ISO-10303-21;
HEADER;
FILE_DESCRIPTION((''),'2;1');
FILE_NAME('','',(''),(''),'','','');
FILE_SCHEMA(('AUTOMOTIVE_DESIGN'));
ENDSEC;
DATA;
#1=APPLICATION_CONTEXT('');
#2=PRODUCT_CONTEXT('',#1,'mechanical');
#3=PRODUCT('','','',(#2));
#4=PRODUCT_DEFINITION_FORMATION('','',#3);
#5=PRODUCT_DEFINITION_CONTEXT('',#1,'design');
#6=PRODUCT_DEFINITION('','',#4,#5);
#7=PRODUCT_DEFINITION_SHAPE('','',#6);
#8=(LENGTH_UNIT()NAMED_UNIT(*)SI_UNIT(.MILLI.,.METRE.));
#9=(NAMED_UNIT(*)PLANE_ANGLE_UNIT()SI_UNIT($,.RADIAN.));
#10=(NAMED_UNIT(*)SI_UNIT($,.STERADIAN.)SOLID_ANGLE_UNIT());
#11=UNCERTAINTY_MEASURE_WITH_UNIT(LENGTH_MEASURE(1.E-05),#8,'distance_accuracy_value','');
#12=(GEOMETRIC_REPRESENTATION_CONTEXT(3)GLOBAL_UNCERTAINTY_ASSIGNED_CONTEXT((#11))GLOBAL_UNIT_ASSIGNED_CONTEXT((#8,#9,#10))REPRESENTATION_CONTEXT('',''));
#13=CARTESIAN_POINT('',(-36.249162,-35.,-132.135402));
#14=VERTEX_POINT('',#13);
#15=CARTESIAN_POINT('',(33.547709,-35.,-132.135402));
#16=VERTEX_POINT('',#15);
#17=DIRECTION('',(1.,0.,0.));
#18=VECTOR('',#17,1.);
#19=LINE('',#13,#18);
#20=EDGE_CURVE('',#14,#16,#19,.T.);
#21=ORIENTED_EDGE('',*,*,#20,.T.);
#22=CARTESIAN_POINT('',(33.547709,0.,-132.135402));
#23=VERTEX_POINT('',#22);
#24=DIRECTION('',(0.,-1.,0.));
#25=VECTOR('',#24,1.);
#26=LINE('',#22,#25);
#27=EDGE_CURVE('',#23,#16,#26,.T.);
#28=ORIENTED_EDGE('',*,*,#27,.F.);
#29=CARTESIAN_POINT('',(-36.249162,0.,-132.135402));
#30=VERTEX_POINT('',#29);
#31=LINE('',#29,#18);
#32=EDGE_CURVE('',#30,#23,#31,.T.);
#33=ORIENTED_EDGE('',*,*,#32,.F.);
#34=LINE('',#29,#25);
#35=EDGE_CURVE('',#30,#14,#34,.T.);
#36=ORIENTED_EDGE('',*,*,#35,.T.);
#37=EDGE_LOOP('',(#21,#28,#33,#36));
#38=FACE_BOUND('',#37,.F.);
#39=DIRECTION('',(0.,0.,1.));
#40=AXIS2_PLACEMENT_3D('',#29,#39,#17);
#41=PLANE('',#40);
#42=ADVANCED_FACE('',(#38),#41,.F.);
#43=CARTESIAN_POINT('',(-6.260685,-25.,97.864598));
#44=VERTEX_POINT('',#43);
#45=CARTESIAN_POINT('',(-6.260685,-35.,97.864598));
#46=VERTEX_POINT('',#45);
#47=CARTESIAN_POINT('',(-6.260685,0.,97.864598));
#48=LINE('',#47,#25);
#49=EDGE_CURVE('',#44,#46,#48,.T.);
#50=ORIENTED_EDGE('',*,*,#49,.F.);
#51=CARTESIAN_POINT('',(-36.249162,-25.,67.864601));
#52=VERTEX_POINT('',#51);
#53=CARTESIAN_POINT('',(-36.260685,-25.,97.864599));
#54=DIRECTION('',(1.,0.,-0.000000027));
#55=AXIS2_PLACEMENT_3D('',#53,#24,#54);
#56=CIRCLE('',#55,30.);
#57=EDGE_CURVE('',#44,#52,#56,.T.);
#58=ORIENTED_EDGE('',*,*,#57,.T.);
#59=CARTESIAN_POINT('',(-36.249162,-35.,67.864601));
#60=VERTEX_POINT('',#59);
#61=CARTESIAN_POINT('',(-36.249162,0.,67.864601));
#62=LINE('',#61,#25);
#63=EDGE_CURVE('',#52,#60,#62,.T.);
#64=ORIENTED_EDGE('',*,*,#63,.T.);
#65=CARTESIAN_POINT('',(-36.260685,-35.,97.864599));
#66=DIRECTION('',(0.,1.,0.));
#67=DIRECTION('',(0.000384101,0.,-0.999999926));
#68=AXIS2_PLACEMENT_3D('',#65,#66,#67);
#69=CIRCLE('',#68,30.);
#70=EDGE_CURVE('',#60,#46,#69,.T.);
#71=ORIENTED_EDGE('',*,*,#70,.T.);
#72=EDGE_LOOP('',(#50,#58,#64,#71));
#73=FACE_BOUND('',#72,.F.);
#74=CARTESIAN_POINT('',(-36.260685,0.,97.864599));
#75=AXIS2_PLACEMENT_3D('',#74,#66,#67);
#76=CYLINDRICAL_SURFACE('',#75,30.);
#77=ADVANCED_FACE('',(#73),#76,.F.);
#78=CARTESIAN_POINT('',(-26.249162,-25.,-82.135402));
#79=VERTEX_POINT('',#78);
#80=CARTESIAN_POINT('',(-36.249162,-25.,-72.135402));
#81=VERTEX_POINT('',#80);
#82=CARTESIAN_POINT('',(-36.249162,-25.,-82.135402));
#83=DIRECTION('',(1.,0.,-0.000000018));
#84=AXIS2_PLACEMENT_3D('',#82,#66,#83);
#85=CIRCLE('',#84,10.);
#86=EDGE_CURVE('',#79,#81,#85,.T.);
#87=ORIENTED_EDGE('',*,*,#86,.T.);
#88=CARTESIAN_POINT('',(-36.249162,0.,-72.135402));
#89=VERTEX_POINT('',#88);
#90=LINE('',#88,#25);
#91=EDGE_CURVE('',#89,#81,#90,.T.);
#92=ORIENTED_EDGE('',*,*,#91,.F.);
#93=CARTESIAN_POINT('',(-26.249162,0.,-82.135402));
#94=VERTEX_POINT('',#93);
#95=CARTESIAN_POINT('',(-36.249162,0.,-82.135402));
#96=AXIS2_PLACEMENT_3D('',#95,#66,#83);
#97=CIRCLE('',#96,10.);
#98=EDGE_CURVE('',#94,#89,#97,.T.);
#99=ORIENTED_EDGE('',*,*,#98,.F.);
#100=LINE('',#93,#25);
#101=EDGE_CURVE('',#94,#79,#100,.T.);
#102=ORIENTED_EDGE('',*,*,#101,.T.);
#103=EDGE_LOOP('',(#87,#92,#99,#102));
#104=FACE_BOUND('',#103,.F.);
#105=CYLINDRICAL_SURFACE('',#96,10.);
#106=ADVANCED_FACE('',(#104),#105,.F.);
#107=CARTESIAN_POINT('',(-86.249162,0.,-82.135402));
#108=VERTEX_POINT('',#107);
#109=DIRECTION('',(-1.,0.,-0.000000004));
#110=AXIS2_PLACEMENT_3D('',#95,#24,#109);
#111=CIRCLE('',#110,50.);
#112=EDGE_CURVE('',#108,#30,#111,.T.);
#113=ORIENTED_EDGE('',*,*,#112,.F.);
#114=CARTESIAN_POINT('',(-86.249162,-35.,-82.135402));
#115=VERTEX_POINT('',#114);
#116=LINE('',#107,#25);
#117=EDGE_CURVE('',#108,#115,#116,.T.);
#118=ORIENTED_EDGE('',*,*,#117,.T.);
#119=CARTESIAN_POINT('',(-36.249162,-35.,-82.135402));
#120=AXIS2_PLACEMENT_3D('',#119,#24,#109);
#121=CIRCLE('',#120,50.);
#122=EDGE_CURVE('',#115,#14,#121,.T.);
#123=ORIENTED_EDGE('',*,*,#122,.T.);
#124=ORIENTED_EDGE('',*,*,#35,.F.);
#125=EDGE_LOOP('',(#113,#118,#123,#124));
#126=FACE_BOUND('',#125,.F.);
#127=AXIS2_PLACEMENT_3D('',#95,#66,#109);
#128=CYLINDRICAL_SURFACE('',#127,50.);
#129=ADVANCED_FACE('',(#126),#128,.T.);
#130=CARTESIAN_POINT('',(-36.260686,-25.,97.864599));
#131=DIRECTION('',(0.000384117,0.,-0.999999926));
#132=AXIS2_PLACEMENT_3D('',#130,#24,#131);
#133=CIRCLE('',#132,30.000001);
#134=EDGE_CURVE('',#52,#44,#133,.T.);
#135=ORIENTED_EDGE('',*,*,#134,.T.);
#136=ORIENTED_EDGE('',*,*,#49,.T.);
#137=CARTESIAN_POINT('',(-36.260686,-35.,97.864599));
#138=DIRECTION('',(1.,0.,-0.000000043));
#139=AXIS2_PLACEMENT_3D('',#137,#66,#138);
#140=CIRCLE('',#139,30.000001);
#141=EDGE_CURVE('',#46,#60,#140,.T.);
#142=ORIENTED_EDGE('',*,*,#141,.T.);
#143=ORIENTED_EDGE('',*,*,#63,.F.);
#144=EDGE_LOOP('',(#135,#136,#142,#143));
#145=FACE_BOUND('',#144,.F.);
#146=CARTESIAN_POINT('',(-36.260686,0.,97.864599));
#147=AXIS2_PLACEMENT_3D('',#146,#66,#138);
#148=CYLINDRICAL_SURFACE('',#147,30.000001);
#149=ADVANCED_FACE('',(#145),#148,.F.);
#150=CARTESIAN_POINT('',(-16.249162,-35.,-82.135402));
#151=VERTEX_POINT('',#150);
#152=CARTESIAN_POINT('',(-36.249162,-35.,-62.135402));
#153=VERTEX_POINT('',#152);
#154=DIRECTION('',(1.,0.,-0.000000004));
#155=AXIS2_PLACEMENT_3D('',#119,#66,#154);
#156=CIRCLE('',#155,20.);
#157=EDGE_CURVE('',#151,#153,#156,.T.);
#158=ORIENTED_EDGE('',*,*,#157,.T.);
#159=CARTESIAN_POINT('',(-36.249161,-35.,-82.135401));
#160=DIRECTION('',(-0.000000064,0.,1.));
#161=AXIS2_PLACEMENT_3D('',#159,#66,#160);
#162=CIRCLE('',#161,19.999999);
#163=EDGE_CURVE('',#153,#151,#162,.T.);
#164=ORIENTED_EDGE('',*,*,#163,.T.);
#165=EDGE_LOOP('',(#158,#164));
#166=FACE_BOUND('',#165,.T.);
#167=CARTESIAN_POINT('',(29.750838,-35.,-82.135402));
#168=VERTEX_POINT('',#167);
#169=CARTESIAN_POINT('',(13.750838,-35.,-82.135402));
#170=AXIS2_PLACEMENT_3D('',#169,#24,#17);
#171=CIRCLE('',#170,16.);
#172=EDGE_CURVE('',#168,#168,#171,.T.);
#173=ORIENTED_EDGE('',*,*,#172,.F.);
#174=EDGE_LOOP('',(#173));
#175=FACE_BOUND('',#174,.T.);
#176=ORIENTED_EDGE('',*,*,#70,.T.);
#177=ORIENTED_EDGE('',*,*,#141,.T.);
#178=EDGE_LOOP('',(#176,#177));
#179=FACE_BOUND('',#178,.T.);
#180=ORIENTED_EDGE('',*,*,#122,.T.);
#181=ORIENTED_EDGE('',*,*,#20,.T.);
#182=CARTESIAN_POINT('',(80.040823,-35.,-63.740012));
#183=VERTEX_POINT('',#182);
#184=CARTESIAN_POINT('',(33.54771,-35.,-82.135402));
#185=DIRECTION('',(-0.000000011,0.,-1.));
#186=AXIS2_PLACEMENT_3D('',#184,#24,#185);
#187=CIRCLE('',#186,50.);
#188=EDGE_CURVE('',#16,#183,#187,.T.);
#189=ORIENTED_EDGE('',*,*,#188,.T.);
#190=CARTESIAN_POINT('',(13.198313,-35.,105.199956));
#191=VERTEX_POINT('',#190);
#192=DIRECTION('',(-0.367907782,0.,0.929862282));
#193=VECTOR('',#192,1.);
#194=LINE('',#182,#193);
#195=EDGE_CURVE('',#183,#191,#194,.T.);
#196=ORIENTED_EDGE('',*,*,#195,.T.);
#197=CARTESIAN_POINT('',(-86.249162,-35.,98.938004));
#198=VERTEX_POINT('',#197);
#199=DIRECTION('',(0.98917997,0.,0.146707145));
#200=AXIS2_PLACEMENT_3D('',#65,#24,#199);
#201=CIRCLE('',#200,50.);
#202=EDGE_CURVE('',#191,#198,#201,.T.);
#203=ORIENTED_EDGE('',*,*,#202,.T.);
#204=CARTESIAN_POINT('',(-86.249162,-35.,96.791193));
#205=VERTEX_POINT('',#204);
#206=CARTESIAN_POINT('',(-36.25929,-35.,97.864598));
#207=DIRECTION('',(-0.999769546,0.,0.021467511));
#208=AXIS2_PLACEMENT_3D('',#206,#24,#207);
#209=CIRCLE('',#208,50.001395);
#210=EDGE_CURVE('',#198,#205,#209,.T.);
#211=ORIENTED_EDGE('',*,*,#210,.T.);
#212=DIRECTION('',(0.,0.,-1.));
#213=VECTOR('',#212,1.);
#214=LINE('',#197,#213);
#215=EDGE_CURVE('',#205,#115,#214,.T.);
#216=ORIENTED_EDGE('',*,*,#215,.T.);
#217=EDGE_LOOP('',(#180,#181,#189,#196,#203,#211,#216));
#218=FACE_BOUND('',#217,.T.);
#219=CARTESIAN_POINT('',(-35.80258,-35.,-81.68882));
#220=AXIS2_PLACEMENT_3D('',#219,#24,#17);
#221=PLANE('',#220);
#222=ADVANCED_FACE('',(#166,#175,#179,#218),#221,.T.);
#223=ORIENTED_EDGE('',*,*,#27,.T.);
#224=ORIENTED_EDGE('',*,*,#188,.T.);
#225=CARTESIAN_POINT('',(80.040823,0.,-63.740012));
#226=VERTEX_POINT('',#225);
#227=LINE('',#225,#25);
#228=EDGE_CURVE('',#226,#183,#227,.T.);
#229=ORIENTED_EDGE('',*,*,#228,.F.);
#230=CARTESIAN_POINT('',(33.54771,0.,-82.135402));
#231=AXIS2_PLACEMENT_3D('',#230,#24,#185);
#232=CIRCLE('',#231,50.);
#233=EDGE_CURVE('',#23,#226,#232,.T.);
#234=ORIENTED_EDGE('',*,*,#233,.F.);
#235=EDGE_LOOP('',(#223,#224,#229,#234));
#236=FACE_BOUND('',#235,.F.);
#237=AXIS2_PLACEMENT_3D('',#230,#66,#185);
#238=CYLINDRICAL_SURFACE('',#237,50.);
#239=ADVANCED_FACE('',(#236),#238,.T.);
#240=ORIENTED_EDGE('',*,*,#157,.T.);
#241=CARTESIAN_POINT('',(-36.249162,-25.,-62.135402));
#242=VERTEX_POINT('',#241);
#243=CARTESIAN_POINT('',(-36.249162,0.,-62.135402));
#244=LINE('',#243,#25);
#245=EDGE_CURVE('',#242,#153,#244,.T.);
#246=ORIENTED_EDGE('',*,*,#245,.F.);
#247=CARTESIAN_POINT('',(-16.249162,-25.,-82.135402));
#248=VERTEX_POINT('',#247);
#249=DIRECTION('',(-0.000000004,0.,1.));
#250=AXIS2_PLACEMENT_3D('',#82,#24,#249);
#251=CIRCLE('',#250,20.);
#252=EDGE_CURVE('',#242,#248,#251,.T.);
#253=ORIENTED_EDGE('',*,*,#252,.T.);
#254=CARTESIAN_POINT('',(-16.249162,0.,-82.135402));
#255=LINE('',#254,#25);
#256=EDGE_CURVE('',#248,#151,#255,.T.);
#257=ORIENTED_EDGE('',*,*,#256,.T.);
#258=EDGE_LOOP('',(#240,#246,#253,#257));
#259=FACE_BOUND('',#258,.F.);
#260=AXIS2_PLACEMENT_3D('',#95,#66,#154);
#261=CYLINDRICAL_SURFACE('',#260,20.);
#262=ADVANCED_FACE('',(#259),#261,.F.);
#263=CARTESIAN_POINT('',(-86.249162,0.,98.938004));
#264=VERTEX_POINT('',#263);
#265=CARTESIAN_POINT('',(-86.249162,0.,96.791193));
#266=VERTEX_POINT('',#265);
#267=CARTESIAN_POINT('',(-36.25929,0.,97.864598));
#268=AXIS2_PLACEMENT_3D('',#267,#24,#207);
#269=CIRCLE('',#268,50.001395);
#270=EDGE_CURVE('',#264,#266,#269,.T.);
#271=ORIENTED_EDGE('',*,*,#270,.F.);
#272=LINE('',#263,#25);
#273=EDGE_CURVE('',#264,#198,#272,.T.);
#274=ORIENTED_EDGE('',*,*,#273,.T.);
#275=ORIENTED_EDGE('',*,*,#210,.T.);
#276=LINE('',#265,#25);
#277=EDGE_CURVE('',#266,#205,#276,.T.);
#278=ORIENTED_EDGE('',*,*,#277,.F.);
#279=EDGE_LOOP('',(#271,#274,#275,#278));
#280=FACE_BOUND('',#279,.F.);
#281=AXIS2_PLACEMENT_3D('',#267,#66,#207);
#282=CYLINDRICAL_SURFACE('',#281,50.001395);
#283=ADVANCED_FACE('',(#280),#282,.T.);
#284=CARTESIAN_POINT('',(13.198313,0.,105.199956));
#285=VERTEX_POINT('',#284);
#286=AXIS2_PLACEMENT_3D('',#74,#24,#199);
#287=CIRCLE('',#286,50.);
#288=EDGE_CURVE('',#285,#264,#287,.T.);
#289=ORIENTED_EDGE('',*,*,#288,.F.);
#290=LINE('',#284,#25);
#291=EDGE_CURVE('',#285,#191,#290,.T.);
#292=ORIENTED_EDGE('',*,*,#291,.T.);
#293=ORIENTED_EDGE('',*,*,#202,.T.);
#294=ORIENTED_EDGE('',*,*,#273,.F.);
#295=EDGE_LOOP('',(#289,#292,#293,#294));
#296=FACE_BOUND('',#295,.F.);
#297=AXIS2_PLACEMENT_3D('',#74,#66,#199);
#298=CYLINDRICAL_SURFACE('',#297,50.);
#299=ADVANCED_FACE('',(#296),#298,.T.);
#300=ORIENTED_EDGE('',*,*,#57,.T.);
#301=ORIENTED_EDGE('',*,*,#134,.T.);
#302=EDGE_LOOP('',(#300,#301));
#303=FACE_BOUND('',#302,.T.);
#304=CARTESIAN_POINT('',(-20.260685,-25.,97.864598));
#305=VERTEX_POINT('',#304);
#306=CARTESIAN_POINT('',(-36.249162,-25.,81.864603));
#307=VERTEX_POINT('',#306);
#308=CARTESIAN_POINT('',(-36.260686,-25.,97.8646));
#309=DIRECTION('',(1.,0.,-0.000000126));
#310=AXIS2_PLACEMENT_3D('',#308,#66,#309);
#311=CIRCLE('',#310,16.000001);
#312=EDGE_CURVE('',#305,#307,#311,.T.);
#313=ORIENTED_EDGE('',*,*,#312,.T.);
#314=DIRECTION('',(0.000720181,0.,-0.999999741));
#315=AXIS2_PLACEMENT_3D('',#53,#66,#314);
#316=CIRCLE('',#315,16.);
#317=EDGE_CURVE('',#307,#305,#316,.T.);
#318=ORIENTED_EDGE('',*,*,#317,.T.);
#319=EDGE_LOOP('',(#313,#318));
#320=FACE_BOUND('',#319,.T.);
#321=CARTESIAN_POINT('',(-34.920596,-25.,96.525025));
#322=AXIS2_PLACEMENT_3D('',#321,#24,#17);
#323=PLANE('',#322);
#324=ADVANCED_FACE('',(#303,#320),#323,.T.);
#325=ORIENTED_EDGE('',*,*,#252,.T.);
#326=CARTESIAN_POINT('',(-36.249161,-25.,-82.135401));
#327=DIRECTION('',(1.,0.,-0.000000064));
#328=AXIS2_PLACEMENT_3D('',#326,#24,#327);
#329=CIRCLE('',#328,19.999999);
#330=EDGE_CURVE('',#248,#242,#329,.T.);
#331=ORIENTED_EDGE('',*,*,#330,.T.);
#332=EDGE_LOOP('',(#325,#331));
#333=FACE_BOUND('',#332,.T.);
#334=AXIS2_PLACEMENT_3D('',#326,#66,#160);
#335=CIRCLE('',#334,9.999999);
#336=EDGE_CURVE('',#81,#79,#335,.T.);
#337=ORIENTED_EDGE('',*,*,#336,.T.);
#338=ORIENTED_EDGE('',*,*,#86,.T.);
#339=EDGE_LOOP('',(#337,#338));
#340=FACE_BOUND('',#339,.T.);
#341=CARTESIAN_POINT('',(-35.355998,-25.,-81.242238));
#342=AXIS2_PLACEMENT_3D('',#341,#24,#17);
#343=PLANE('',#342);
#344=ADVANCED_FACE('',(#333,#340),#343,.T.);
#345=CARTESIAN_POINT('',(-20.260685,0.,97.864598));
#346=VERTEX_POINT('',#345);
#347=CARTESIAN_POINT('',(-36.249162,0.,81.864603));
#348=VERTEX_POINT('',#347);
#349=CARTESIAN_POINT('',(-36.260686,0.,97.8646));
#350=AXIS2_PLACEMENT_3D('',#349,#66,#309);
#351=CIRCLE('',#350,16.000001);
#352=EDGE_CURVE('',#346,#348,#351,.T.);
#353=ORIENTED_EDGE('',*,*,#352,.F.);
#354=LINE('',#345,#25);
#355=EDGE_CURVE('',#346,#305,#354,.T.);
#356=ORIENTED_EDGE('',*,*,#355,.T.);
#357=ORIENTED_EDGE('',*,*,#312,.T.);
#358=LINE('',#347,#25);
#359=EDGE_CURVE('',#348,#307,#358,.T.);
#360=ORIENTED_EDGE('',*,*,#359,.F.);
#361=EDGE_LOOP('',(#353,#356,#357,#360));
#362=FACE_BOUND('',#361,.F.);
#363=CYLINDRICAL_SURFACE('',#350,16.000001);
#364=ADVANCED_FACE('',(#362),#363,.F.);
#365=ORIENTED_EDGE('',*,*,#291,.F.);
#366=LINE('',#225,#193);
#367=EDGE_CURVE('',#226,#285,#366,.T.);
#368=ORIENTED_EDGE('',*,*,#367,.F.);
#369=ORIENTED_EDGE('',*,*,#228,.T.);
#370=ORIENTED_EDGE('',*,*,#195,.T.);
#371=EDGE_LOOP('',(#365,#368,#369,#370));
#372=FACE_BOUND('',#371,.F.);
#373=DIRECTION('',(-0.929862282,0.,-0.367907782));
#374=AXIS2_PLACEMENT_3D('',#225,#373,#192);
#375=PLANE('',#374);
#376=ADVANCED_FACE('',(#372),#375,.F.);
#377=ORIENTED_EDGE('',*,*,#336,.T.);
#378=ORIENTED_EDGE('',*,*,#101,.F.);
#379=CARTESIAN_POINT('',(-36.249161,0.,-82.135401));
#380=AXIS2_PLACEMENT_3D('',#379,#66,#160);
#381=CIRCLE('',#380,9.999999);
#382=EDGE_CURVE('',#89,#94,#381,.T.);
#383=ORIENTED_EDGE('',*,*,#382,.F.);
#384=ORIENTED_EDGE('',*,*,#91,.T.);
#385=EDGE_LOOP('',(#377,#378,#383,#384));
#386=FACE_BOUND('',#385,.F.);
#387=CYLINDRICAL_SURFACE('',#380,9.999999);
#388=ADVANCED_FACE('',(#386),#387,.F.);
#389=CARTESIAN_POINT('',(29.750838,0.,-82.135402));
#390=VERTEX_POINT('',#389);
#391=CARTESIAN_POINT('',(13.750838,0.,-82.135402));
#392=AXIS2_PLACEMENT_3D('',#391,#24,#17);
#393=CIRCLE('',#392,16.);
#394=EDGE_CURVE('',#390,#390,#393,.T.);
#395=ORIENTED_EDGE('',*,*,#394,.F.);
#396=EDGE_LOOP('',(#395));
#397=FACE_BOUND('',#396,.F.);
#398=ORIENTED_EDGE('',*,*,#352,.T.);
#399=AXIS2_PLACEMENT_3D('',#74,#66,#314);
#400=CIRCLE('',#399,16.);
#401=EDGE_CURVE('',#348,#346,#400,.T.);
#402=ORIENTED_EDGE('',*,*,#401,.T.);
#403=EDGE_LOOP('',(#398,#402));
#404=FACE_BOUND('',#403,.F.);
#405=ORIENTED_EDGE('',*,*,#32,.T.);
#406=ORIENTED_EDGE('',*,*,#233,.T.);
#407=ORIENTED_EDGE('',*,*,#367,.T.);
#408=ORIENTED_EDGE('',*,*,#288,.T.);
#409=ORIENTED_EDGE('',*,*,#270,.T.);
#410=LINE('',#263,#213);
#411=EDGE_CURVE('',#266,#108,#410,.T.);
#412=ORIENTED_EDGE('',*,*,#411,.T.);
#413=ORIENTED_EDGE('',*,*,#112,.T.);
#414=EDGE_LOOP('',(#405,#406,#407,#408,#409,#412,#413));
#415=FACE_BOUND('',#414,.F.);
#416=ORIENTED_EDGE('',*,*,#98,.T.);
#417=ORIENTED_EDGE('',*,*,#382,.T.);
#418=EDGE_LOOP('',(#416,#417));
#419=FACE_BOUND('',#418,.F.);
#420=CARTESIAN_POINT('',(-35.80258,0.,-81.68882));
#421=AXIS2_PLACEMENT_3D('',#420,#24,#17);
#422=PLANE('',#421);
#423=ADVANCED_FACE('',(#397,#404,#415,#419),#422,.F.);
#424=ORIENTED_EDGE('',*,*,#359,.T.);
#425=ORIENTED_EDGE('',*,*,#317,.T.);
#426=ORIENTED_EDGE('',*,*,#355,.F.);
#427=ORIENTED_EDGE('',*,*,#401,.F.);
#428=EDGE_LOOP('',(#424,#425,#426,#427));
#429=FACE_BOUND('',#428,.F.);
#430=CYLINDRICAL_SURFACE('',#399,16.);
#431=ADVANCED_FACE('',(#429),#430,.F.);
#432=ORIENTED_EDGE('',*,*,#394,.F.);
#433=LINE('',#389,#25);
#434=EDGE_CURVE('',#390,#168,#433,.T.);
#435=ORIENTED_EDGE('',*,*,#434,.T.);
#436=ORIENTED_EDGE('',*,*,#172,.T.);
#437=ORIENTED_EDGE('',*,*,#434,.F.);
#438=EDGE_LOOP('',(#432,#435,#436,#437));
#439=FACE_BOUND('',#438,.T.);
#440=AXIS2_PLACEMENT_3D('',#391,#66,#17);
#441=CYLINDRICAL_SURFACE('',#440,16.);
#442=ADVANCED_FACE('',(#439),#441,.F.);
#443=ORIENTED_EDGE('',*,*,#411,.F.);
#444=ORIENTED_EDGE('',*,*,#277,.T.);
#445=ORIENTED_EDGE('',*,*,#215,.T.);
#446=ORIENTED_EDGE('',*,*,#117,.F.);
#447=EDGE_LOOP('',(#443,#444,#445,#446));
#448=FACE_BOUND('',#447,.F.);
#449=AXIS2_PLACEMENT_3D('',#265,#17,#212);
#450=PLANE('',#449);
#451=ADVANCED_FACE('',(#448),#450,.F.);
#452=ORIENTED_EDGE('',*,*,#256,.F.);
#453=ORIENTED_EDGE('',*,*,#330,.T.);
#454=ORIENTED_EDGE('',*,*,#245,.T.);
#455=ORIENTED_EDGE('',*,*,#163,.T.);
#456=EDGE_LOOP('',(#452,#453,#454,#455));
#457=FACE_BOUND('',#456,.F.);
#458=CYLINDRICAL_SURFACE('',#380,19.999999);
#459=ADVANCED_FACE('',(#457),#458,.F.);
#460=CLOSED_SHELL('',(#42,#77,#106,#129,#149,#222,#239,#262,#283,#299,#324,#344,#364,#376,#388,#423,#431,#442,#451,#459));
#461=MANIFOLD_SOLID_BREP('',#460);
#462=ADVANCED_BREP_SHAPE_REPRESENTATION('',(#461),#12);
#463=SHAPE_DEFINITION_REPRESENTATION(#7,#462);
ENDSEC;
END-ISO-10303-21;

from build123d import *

# Parameters (mm, degrees)
F1_DEPTH = 25
F0_R     = 16
F2_DEPTH = 35


with BuildPart() as f1:
    # F0 (on Front) → F1 (new body)
    with BuildSketch(Plane.XZ):
        with BuildLine():
            ThreePointArc((-6.260685, 97.864598), (-57.477963, 119.073727), (-36.249162, 67.864601))
            ThreePointArc((-36.249162, 67.864601), (-15.043408, 76.65547), (-6.260685, 97.864598))
        make_face()
        with BuildLine():
            ThreePointArc((-20.260685, 97.864598), (-24.942904, 86.554965), (-36.249162, 81.864603))
            ThreePointArc((-36.249162, 81.864603), (-47.578467, 109.174232), (-20.260685, 97.864598))
        make_face(mode=Mode.SUBTRACT)
        with BuildLine():
            ThreePointArc((-36.249162, -62.135402), (-50.391298, -96.277537), (-16.249162, -82.135402))
            ThreePointArc((-16.249162, -82.135402), (-22.107026, -67.993266), (-36.249162, -62.135402))
        make_face()
        with BuildLine():
            ThreePointArc((-26.249162, -82.135402), (-43.32023, -89.206469), (-36.249162, -72.135402))
            ThreePointArc((-36.249162, -72.135402), (-29.178094, -75.064334), (-26.249162, -82.135402))
        make_face(mode=Mode.SUBTRACT)
    extrude(amount=F1_DEPTH)

    # F0 (on Front) → F2 (join)
    with BuildSketch(Plane.XZ):
        with BuildLine():
            ThreePointArc((-26.249162, -82.135402), (-29.178094, -75.064334), (-36.249162, -72.135402))
            ThreePointArc((-36.249162, -72.135402), (-43.32023, -89.206469), (-26.249162, -82.135402))
        make_face()
        with BuildLine():
            ThreePointArc((-36.249162, -62.135402), (-50.391298, -96.277537), (-16.249162, -82.135402))
            ThreePointArc((-16.249162, -82.135402), (-22.107026, -67.993266), (-36.249162, -62.135402))
        make_face()
        with BuildLine():
            ThreePointArc((-26.249162, -82.135402), (-43.32023, -89.206469), (-36.249162, -72.135402))
            ThreePointArc((-36.249162, -72.135402), (-29.178094, -75.064334), (-26.249162, -82.135402))
        make_face(mode=Mode.SUBTRACT)
        with BuildLine():
            ThreePointArc((-20.260685, 97.864598), (-47.578467, 109.174232), (-36.249162, 81.864603))
            ThreePointArc((-36.249162, 81.864603), (-24.942904, 86.554965), (-20.260685, 97.864598))
        make_face()
        with BuildLine():
            ThreePointArc((-6.260685, 97.864598), (-57.477963, 119.073727), (-36.249162, 67.864601))
            ThreePointArc((-36.249162, 67.864601), (-15.043408, 76.65547), (-6.260685, 97.864598))
        make_face()
        with BuildLine():
            ThreePointArc((-20.260685, 97.864598), (-24.942904, 86.554965), (-36.249162, 81.864603))
            ThreePointArc((-36.249162, 81.864603), (-47.578467, 109.174232), (-20.260685, 97.864598))
        make_face(mode=Mode.SUBTRACT)
        with BuildLine():
            Line((80.040823, -63.740012), (13.198313, 105.199956))
            ThreePointArc((13.198313, 105.199956), (-39.402834, 147.76577), (-86.249162, 98.938004))
            Line((-86.249162, 98.938004), (-86.249162, 96.791193))
            Line((-86.249162, 96.791193), (-86.249162, -82.135402))
            ThreePointArc((-86.249162, -82.135402), (-71.604501, -117.490741), (-36.249162, -132.135402))
            Line((-36.249162, -132.135402), (33.547709, -132.135402))
            ThreePointArc((33.547709, -132.135402), (74.898462, -110.244391), (80.040823, -63.740012))
        make_face()
        with BuildLine():
            ThreePointArc((-36.249162, -62.135402), (-22.107026, -67.993266), (-16.249162, -82.135402))
            ThreePointArc((-16.249162, -82.135402), (-50.391298, -96.277537), (-36.249162, -62.135402))
        make_face(mode=Mode.SUBTRACT)
        with Locations((13.750838, -82.135402)):
            Circle(F0_R, mode=Mode.SUBTRACT)
        with BuildLine():
            ThreePointArc((-6.260685, 97.864598), (-15.043408, 76.65547), (-36.249162, 67.864601))
            ThreePointArc((-36.249162, 67.864601), (-57.477963, 119.073727), (-6.260685, 97.864598))
        make_face(mode=Mode.SUBTRACT)
        with BuildLine():
            Line((-86.249162, 96.791193), (-86.249162, 98.938004))
            ThreePointArc((-86.249162, 98.938004), (-86.260685, 97.864598), (-86.249162, 96.791193))
        make_face()
    extrude(amount=F2_DEPTH)


solid = f1.part
